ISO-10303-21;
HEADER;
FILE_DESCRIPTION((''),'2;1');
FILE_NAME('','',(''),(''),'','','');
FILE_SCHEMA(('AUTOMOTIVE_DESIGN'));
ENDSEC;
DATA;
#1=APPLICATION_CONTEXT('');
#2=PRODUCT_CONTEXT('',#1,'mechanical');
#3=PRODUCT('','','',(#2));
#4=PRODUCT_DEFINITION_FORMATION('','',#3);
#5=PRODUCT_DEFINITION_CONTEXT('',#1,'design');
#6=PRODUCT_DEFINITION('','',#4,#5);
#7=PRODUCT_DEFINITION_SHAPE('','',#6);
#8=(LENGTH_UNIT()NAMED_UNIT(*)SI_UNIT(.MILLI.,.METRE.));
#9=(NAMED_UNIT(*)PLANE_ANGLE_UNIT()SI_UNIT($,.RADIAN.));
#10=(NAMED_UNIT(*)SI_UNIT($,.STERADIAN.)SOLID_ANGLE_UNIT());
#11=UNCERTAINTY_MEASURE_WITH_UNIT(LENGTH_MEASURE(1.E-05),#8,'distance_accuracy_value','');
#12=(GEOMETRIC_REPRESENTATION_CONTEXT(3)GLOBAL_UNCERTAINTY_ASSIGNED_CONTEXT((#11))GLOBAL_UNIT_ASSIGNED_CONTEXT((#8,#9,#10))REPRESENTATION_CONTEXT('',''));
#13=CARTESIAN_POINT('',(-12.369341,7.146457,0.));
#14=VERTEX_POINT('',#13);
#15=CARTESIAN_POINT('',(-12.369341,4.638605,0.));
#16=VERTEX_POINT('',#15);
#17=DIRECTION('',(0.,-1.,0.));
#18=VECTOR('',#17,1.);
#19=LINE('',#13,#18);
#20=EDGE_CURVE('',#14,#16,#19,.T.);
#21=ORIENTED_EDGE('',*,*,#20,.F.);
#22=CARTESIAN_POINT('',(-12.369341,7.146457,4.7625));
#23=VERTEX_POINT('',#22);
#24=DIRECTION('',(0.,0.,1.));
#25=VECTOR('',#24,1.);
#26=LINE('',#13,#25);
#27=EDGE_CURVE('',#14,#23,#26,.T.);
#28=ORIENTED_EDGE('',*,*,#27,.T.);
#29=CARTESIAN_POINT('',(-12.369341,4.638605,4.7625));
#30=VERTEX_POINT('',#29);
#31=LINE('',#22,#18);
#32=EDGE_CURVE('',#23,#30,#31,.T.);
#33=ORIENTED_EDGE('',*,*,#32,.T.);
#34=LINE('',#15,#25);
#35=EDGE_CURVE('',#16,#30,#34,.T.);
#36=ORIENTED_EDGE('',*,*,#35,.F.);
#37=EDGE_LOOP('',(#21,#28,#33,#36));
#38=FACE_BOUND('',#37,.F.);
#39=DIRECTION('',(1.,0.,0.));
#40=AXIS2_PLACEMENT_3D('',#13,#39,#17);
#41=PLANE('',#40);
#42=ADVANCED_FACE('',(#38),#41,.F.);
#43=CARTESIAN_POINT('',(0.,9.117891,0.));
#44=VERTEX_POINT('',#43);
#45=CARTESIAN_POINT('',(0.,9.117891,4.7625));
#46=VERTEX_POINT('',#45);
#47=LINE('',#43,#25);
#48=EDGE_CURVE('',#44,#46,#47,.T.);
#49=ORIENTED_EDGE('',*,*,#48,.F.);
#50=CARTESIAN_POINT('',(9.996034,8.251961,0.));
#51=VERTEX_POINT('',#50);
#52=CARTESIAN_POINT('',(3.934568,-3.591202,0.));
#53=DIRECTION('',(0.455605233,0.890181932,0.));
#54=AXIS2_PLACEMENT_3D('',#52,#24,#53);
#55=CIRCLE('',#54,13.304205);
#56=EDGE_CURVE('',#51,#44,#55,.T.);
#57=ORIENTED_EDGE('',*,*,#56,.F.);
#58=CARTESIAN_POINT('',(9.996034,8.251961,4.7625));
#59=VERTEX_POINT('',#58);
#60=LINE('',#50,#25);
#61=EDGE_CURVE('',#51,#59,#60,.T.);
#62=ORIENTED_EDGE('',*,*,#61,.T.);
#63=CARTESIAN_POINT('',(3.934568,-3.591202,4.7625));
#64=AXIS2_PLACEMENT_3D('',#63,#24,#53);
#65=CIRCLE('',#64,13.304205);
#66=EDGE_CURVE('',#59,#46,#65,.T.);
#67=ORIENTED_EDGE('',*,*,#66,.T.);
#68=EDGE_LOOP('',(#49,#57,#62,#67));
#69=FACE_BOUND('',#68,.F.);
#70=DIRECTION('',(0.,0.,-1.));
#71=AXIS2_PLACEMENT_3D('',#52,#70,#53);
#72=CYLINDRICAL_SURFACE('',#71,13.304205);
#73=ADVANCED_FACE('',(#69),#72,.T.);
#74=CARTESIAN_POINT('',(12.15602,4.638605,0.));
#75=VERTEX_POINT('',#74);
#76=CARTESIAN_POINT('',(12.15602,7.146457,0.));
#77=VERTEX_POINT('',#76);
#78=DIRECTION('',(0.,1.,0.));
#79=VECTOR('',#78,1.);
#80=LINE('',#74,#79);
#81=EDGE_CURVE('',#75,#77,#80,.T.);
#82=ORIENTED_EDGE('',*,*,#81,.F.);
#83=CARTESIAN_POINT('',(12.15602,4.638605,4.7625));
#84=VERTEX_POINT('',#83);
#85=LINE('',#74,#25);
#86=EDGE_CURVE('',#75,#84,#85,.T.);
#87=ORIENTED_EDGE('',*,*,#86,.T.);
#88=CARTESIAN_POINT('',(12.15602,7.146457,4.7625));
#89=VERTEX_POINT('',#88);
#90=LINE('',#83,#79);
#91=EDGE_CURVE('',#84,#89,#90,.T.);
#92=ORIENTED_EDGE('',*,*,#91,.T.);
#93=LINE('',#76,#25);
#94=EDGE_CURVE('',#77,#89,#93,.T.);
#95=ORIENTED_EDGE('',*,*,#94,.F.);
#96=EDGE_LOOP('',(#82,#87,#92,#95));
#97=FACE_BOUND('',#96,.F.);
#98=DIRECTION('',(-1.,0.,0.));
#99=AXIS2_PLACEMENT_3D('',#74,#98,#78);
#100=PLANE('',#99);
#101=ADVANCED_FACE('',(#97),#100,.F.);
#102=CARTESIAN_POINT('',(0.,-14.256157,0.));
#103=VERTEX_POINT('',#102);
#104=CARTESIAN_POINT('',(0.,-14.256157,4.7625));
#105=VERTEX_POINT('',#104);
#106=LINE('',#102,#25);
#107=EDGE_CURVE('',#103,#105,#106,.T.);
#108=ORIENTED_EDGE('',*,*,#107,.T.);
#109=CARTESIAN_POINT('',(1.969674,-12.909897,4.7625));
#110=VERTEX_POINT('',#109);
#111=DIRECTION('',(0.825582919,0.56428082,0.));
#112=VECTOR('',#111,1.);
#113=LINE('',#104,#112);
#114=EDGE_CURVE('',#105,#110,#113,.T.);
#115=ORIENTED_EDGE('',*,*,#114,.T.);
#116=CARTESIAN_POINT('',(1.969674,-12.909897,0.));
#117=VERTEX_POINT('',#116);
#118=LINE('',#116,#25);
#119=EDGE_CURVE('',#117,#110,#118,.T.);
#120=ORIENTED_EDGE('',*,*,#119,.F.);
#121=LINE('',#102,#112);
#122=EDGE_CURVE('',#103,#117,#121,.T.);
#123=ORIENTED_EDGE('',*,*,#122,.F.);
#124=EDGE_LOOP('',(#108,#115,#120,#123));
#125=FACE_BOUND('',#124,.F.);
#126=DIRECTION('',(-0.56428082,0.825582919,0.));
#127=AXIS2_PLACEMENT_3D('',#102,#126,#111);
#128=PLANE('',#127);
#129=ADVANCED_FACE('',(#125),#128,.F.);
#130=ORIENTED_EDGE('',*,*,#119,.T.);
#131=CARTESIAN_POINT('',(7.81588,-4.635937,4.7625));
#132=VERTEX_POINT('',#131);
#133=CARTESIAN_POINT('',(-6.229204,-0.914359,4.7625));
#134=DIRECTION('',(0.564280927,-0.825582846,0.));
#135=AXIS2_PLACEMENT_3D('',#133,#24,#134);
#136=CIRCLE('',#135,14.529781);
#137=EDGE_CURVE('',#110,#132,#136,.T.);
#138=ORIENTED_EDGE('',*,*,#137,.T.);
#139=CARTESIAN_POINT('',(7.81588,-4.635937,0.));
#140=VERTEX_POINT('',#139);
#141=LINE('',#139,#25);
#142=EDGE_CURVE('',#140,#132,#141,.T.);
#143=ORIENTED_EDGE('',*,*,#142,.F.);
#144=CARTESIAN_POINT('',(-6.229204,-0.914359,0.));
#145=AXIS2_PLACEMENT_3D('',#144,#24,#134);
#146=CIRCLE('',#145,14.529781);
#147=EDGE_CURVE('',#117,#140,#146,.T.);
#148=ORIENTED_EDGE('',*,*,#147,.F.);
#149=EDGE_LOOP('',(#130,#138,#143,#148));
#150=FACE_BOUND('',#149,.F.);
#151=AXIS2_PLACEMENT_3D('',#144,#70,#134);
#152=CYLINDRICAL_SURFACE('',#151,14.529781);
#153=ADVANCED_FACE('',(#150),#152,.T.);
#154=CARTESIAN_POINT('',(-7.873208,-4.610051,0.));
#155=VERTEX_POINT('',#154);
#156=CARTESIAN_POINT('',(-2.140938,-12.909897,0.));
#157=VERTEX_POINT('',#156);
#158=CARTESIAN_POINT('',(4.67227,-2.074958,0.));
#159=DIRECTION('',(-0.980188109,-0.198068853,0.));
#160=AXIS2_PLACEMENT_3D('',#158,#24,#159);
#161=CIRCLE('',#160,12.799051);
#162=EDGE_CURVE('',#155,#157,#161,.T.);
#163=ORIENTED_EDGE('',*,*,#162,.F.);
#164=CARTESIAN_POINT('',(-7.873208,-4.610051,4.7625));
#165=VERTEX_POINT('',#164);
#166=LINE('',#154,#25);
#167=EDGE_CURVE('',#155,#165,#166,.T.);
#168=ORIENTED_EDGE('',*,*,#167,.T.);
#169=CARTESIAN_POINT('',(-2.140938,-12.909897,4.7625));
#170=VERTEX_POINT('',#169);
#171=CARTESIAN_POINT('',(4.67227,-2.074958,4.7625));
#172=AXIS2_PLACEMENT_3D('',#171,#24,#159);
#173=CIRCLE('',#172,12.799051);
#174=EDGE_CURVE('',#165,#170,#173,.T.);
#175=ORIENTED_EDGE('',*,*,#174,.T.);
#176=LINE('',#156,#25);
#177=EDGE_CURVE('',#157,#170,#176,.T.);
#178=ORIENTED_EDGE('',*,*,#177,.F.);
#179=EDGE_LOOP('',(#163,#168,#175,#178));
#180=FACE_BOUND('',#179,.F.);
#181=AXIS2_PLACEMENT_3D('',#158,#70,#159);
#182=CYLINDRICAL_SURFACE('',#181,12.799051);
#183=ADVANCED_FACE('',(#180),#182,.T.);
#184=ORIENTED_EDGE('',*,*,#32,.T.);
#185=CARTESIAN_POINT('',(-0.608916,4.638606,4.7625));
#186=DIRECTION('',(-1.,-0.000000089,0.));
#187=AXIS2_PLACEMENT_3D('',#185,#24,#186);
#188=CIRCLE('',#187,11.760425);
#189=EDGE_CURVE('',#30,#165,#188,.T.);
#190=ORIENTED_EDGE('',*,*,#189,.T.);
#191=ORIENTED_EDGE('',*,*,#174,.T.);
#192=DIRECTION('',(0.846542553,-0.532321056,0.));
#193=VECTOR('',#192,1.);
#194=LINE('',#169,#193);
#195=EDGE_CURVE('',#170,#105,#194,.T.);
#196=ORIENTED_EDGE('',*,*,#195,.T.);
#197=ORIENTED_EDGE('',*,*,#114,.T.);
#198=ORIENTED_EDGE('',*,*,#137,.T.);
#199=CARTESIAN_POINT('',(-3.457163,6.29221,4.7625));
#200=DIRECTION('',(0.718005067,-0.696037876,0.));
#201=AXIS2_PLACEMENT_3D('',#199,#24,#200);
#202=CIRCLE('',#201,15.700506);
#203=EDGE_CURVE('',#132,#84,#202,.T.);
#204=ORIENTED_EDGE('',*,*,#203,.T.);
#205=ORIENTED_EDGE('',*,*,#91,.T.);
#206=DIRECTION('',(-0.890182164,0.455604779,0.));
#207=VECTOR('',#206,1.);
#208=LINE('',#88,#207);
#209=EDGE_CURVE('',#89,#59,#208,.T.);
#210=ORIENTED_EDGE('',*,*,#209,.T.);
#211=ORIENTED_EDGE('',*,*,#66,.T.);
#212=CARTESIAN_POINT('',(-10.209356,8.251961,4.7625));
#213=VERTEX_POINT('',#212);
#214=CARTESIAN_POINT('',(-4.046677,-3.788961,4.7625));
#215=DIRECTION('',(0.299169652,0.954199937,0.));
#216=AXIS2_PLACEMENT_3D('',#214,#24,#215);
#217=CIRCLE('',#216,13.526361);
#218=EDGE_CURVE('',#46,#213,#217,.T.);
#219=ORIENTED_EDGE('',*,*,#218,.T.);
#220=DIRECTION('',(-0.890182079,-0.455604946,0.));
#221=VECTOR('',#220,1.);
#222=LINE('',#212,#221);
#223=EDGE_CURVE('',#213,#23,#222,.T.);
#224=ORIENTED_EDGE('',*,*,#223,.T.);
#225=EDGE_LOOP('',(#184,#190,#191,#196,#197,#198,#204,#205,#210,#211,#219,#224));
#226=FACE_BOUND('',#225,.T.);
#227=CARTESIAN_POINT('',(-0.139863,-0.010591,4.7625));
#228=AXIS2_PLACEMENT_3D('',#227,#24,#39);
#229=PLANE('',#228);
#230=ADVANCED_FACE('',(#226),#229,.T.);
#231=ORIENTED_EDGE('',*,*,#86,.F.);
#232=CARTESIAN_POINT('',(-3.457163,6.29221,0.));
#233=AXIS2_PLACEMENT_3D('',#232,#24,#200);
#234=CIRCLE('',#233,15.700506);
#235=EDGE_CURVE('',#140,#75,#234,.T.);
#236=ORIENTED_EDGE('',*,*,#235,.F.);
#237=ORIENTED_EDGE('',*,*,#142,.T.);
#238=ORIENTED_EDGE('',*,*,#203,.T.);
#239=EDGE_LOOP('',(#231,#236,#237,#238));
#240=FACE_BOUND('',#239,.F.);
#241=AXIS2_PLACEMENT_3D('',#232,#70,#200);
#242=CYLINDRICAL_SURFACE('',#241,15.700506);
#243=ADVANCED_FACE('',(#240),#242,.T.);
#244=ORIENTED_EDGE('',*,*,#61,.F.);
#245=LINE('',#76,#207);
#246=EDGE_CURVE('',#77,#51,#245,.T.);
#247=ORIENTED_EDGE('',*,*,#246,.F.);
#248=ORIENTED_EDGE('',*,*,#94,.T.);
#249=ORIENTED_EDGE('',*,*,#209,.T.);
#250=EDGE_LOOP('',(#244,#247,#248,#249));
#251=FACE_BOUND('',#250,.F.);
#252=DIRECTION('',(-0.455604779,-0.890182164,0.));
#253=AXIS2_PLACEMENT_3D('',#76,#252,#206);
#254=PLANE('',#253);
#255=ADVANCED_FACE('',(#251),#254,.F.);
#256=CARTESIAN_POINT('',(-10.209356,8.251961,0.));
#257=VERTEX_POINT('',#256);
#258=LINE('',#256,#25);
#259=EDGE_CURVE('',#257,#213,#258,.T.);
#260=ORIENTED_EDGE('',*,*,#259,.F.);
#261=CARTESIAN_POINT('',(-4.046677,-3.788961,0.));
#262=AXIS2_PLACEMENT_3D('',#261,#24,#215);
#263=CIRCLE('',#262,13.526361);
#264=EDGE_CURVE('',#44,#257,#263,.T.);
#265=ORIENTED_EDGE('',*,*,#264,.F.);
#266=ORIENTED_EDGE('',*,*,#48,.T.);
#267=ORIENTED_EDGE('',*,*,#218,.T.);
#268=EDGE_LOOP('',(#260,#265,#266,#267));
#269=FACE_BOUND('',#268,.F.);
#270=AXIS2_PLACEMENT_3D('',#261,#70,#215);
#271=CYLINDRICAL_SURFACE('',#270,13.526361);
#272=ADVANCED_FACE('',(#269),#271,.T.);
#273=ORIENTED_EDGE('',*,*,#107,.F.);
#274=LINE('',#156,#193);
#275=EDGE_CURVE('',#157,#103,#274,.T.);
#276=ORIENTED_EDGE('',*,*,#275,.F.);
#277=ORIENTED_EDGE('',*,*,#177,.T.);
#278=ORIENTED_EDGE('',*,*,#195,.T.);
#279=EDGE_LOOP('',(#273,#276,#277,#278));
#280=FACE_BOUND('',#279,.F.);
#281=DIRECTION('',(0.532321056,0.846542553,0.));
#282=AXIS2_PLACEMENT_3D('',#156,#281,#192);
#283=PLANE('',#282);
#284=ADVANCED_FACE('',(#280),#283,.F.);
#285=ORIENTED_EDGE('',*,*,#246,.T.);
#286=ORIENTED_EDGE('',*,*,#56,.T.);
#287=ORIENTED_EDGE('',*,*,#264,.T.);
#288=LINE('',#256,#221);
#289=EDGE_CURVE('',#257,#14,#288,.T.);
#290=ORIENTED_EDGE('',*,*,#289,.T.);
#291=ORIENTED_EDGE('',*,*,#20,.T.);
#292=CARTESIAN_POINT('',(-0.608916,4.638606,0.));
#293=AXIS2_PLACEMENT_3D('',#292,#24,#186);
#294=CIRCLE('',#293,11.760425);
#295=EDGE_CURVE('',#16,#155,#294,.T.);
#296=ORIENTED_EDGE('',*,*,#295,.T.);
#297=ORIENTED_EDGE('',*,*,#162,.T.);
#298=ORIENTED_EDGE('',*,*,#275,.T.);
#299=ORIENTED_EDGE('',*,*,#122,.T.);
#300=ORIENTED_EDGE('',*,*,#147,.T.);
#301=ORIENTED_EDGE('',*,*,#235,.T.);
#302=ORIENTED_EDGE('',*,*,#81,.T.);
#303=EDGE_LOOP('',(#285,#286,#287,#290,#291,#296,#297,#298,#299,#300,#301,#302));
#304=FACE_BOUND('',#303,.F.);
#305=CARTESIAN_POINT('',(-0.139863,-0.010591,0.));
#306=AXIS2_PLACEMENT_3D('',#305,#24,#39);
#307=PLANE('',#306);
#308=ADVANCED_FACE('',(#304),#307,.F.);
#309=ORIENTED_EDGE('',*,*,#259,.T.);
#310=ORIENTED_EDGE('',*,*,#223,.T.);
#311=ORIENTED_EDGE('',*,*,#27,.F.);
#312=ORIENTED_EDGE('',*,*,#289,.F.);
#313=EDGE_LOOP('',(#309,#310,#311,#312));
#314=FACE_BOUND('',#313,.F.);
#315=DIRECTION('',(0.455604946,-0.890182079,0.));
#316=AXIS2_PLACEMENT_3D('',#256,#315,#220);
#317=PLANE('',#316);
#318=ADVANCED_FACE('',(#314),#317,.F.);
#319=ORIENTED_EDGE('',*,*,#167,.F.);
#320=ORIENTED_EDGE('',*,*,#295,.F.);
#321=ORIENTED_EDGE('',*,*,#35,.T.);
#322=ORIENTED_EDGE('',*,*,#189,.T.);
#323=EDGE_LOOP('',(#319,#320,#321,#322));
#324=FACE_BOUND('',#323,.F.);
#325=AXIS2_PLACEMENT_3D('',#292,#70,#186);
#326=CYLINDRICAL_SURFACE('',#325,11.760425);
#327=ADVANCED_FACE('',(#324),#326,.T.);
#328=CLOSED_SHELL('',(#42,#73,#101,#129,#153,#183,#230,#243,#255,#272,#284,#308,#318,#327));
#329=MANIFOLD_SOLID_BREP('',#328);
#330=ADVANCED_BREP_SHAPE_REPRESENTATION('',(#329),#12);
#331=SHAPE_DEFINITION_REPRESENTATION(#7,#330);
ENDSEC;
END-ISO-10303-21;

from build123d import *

# Parameters (mm, degrees)
F1_DEPTH = 4.7625


with BuildPart() as f1:
    # F0 (on Top) → F1 (new body)
    with BuildSketch(Plane.XY):
        with BuildLine():
            ThreePointArc((0, 9.117891), (-5.189841, 9.689006), (-10.209356, 8.251961))
            Line((-10.209356, 8.251961), (-12.369341, 7.146457))
            Line((-12.369341, 7.146457), (-12.369341, 4.638605))
            ThreePointArc((-12.369341, 4.638605), (-11.185748, -0.503205), (-7.873208, -4.610051))
            ThreePointArc((-7.873208, -4.610051), (-5.859185, -9.348483), (-2.140938, -12.909897))
            Line((-2.140938, -12.909897), (0, -14.256157))
            Line((0, -14.256157), (1.969674, -12.909897))
            ThreePointArc((1.969674, -12.909897), (5.637264, -9.298956), (7.81588, -4.635937))
            ThreePointArc((7.81588, -4.635937), (10.7633, -0.362437), (12.15602, 4.638605))
            Line((12.15602, 4.638605), (12.15602, 7.146457))
            Line((12.15602, 7.146457), (9.996034, 8.251961))
            ThreePointArc((9.996034, 8.251961), (5.082776, 9.663363), (0, 9.117891))
        make_face()
    extrude(amount=F1_DEPTH)


solid = f1.part
